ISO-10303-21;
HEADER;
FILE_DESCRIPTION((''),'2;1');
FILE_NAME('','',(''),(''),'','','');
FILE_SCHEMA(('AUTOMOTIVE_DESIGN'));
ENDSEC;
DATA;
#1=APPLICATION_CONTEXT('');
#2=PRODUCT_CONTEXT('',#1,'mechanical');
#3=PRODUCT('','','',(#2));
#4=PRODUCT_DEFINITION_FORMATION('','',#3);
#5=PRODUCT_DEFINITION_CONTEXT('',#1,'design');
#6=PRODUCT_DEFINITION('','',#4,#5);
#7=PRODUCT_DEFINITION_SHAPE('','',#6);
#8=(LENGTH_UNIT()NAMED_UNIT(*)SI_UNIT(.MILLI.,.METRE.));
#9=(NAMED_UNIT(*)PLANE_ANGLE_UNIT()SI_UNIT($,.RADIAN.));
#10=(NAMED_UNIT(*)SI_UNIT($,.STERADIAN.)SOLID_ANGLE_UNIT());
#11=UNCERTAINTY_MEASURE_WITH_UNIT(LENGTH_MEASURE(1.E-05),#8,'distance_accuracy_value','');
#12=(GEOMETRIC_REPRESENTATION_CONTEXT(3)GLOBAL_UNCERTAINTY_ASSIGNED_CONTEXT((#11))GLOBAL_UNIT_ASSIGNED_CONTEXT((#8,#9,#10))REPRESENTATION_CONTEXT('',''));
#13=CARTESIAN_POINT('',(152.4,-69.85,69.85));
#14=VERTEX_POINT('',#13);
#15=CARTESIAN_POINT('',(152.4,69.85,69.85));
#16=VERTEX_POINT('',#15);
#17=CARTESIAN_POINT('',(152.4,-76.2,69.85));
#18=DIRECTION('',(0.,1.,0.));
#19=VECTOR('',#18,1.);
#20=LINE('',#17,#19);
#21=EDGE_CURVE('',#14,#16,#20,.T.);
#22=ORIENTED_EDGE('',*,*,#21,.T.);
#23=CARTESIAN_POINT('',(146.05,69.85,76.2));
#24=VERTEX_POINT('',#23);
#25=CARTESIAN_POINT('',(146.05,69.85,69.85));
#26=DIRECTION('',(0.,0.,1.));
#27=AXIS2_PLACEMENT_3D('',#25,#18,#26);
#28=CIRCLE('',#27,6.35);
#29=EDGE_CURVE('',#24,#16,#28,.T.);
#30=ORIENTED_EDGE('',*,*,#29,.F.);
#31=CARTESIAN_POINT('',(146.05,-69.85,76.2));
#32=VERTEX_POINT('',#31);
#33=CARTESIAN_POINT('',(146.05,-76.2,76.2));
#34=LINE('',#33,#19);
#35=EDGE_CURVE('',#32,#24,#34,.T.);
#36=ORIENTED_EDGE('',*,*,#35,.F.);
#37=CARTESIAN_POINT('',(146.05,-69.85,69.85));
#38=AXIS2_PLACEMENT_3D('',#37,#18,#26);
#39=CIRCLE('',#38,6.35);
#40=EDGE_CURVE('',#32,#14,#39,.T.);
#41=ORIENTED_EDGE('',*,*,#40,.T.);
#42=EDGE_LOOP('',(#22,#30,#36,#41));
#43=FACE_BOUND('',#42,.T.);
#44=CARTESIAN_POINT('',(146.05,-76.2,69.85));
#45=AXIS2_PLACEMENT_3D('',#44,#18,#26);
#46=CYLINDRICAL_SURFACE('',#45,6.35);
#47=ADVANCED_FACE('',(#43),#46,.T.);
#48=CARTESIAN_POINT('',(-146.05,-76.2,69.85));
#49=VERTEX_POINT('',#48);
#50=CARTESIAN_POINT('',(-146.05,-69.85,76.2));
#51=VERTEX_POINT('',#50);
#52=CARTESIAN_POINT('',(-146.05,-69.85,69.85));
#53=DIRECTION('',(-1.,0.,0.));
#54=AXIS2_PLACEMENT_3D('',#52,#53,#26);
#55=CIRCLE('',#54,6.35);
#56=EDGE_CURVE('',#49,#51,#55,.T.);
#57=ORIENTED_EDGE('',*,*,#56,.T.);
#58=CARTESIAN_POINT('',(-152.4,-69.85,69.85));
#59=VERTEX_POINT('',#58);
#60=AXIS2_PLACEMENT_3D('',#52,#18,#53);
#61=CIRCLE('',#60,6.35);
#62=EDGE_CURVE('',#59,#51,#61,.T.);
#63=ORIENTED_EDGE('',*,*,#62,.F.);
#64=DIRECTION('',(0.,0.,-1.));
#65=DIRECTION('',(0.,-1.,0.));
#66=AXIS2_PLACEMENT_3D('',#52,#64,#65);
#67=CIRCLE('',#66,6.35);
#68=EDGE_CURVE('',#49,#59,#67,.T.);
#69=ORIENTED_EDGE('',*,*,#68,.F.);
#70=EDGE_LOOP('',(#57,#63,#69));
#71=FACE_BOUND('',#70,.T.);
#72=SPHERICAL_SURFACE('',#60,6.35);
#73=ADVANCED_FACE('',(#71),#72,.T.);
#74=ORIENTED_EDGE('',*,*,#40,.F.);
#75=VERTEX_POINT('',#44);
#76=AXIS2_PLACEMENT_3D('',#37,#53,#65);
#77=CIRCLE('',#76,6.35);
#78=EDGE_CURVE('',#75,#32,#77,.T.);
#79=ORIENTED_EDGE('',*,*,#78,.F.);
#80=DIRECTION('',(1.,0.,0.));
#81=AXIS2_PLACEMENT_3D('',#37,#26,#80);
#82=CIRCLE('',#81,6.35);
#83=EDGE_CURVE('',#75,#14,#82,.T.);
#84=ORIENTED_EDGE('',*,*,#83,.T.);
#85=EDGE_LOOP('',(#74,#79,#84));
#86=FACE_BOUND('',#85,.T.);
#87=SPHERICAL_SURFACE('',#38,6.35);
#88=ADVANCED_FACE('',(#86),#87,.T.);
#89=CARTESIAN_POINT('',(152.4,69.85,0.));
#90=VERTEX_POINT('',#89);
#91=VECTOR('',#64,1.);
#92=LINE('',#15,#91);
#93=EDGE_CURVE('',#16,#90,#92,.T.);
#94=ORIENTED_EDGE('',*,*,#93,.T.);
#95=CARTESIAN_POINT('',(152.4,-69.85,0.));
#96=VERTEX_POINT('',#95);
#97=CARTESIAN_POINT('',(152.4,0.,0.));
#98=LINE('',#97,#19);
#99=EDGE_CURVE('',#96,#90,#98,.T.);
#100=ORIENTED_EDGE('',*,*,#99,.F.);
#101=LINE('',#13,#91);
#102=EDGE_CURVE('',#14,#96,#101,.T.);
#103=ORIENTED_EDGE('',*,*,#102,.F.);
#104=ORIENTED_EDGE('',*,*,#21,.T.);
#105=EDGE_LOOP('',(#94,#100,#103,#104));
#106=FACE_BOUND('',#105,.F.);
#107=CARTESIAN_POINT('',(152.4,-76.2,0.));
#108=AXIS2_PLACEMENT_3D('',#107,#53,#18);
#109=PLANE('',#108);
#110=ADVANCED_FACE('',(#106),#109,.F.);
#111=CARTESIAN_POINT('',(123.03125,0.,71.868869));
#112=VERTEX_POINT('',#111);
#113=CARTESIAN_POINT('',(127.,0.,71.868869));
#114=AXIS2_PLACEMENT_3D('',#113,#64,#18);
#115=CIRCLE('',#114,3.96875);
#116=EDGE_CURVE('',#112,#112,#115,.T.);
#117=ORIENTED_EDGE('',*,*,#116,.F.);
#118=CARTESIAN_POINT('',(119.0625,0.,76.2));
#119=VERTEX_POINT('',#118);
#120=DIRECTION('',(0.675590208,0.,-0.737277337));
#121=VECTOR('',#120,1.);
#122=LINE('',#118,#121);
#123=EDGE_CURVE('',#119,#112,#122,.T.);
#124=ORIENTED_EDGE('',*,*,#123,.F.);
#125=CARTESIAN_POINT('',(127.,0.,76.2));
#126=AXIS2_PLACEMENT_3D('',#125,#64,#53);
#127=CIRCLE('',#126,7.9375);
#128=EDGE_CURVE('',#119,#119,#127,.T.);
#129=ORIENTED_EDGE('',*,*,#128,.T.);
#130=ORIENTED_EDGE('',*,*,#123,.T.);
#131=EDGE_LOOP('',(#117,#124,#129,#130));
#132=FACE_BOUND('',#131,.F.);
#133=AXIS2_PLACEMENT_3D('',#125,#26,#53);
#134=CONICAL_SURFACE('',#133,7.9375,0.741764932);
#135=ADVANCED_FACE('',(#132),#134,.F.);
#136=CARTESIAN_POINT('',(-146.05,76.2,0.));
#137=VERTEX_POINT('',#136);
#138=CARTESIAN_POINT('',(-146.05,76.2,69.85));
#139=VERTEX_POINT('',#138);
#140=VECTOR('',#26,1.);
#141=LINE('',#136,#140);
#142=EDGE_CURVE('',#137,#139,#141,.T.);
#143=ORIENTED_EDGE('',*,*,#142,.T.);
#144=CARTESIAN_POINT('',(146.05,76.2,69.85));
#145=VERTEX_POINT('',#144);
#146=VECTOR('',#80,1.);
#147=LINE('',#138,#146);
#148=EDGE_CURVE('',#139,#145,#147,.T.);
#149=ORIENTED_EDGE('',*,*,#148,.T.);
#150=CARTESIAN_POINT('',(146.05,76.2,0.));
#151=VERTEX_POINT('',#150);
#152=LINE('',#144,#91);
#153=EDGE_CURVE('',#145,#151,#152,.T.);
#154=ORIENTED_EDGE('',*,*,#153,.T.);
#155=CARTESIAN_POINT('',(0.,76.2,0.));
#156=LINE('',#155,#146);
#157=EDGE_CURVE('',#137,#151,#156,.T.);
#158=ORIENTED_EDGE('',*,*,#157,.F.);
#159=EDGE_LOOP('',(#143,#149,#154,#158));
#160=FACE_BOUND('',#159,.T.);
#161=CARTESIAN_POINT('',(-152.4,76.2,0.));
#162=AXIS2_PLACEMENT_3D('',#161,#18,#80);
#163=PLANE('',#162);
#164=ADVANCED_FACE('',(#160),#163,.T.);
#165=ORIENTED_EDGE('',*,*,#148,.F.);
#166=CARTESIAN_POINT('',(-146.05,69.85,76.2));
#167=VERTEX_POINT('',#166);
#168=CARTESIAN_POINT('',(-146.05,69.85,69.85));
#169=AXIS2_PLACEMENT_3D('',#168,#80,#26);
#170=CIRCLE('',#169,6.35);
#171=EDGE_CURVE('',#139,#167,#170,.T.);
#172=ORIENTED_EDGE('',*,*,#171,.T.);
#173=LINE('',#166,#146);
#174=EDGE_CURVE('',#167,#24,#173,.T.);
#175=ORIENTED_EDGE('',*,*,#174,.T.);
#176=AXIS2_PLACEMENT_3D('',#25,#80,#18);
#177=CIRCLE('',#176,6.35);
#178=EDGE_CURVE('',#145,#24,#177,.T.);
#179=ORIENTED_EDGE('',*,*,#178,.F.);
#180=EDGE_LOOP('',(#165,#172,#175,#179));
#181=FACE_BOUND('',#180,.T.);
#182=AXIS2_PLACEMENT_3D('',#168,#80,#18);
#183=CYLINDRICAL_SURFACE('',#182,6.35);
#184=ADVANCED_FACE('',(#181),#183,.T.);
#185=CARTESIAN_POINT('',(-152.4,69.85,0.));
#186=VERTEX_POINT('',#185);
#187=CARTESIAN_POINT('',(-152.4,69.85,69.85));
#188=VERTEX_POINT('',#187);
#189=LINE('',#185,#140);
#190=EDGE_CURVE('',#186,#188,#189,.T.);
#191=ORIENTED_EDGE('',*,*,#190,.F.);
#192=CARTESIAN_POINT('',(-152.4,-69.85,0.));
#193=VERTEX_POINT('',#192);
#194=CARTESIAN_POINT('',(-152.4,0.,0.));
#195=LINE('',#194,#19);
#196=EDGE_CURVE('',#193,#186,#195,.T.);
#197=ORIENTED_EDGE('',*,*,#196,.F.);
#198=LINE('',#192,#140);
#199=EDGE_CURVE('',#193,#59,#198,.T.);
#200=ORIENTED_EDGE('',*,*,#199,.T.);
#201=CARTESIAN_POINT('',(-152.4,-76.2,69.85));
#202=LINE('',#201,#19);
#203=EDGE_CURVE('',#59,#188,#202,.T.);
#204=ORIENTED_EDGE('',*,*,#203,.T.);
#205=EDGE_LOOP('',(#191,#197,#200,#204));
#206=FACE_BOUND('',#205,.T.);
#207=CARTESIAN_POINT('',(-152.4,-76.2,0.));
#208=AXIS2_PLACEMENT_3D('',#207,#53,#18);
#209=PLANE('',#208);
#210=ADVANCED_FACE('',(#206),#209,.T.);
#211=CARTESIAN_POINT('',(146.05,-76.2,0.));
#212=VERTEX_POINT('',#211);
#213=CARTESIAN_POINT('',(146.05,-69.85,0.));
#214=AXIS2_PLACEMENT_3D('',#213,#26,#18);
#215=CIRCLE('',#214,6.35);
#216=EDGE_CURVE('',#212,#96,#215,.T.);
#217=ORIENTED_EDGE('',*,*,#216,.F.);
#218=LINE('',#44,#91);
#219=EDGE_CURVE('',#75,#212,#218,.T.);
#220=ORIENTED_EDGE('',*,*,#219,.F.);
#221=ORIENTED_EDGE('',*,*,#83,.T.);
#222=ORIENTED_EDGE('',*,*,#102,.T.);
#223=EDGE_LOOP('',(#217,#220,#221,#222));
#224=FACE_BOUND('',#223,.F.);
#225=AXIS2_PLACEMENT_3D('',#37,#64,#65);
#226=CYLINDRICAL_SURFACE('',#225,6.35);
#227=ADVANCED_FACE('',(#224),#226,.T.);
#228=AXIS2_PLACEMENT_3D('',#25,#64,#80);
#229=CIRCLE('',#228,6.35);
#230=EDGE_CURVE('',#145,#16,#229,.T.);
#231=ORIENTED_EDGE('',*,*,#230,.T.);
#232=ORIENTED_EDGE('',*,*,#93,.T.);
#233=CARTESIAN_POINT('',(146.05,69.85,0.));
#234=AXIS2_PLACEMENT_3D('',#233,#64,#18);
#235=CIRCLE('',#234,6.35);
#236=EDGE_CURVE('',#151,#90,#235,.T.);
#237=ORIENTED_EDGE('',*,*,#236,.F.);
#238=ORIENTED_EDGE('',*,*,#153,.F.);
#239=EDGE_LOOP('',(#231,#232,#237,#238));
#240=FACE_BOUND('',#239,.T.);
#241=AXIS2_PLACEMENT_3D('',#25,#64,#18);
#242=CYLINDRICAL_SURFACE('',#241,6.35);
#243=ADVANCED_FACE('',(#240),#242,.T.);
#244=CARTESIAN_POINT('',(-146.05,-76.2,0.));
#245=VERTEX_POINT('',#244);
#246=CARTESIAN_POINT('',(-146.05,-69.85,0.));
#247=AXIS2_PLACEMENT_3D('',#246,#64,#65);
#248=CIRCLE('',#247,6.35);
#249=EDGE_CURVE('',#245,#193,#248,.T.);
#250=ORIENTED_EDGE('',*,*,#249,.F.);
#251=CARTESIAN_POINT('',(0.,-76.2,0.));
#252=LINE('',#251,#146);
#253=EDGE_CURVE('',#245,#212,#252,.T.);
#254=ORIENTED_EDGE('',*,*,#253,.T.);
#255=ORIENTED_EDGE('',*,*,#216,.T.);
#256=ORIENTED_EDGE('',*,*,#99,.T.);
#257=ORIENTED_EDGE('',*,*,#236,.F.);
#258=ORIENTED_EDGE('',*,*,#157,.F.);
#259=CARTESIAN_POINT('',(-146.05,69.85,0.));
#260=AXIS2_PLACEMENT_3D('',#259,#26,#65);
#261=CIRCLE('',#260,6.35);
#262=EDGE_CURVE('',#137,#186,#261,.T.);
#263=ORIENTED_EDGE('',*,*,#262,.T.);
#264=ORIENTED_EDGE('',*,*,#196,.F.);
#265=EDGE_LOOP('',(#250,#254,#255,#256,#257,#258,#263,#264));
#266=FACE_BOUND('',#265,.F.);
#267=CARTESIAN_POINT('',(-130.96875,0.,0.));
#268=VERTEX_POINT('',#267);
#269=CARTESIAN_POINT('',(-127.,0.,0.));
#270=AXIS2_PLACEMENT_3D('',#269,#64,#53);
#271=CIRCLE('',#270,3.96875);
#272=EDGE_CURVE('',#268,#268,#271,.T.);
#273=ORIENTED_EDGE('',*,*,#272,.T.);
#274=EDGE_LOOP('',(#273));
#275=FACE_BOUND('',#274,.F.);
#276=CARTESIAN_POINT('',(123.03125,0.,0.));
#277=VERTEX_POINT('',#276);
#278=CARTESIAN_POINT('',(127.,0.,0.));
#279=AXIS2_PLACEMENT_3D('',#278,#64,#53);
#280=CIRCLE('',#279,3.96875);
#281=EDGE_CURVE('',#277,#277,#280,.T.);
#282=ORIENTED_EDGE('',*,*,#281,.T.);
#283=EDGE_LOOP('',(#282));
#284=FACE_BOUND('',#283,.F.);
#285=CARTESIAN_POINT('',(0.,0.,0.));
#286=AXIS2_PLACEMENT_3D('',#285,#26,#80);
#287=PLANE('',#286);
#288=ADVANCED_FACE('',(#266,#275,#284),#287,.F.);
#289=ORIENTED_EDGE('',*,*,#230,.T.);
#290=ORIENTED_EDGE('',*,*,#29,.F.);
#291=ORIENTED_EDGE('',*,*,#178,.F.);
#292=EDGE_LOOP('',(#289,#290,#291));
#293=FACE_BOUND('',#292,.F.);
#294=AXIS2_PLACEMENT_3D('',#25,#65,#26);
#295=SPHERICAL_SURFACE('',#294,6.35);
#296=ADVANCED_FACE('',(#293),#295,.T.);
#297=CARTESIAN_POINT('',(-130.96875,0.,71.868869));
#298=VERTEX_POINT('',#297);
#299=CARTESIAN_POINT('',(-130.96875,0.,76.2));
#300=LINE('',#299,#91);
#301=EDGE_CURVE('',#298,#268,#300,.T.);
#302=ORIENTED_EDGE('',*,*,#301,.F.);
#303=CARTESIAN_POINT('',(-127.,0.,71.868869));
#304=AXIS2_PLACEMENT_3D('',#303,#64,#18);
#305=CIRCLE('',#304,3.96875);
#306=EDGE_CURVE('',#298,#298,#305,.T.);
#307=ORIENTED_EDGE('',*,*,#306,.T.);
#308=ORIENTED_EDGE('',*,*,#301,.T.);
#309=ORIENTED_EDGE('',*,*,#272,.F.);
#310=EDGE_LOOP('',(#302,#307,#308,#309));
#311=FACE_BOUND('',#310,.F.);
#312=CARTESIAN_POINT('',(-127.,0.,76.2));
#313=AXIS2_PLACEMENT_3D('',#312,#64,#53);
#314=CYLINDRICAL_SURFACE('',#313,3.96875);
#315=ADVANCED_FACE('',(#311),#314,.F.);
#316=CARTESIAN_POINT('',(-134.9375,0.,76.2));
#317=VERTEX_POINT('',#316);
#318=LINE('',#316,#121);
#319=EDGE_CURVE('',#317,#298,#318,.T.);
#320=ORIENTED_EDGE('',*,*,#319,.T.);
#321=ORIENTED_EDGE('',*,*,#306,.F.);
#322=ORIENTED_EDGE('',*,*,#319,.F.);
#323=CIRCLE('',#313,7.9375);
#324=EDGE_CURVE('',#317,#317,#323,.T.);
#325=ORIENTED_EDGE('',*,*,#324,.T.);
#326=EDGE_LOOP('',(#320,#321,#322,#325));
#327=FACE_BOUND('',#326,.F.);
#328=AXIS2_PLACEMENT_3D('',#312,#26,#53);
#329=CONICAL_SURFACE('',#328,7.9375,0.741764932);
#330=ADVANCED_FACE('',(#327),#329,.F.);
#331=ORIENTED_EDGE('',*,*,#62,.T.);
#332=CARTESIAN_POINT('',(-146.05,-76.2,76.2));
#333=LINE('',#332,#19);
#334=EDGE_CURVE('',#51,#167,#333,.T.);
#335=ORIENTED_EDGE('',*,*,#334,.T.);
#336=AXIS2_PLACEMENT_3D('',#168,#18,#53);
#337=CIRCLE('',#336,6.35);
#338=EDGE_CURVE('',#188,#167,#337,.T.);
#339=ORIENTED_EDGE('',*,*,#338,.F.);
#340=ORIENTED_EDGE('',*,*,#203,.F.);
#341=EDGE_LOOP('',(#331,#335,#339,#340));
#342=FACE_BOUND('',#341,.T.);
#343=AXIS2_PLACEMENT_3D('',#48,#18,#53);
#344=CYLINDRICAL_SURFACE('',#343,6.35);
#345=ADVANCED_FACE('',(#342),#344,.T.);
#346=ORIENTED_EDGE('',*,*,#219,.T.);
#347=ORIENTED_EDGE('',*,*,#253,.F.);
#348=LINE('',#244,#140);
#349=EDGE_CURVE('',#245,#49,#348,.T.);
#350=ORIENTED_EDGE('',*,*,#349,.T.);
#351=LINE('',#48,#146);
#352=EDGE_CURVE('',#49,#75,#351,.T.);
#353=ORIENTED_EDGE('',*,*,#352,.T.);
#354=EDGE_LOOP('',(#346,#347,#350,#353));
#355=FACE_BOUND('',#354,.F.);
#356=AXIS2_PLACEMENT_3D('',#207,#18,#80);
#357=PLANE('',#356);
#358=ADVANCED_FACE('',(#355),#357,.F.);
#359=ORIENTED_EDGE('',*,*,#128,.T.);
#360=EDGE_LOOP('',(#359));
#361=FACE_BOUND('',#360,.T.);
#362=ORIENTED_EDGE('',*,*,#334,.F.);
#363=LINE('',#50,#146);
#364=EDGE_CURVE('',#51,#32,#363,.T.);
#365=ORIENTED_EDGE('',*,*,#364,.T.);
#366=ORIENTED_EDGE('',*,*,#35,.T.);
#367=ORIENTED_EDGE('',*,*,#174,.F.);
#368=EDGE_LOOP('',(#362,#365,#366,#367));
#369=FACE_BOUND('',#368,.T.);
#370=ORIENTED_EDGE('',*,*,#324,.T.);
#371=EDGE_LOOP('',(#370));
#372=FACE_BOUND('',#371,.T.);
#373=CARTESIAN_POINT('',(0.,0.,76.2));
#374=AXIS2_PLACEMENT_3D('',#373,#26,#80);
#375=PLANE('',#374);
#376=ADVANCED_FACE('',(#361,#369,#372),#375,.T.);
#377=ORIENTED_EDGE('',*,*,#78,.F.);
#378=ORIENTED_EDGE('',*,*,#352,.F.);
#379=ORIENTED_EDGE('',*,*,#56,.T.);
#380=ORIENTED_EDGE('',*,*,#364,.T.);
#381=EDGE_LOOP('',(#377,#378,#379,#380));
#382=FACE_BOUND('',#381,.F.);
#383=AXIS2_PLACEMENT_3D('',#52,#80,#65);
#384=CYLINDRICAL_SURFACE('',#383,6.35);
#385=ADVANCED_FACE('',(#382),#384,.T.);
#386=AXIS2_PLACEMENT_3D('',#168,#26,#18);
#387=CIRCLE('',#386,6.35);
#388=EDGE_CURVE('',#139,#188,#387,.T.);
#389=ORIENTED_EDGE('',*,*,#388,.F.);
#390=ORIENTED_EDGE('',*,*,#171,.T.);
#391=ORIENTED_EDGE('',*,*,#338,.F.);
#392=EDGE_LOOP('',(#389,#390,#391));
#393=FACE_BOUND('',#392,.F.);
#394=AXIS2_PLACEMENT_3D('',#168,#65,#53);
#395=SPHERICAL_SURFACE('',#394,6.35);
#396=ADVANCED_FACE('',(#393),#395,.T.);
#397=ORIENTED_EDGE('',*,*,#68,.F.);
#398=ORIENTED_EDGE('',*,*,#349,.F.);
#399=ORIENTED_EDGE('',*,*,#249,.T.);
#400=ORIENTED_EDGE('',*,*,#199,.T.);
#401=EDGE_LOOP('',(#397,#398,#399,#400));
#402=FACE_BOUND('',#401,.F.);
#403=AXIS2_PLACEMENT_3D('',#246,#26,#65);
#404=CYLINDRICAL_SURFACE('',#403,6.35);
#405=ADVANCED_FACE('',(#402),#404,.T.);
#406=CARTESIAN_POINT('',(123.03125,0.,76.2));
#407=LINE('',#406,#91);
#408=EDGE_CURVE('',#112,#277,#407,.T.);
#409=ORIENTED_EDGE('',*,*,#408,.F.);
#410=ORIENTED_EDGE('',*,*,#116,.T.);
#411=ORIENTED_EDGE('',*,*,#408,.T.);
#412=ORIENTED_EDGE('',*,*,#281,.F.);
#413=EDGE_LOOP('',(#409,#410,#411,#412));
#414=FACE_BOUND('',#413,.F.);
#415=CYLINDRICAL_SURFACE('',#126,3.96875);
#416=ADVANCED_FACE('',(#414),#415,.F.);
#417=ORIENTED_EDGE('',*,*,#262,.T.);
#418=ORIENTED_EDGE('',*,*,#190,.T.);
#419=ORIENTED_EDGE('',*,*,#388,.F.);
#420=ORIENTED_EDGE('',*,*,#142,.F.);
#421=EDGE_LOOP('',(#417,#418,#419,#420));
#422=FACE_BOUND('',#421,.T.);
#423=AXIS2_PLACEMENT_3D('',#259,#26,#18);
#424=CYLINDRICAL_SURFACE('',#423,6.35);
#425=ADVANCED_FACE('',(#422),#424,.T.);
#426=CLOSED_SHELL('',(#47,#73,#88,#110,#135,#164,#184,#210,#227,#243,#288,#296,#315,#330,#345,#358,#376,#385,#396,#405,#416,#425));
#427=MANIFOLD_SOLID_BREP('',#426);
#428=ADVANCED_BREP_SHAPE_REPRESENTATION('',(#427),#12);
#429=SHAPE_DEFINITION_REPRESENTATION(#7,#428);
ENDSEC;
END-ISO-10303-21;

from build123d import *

# Parameters (mm, degrees)
F0_W           = 304.8
F0_H           = 152.4
F1_DEPTH       = 76.2
F3_D           = 7.9375
F3_CSINK_D     = 15.875
F3_CSINK_ANGLE = 85
F4_R           = 6.35
F5_R           = 6.35


with BuildPart() as f1:
    # F0 (on Top) → F1 (new body)
    with BuildSketch(Plane.XY):
        Rectangle(F0_W, F0_H)
    extrude(amount=F1_DEPTH)

    # F3 (through all)
    with Locations(Plane.XY.offset(76.2)):
        with Locations((-127, 0), (127, 0)):
            CounterSinkHole(F3_D / 2, F3_CSINK_D / 2, counter_sink_angle=F3_CSINK_ANGLE)

    # F4
    f4_edges = [f1.edges().sort_by_distance(p)[0] for p in [
        (-152.4, 0, 76.2),
        (152.4, 0, 76.2),
    ]]
    fillet(f4_edges, radius=F4_R)

    # F5
    f5_edges = [f1.edges().sort_by_distance(p)[0] for p in [
        (0, -76.2, 76.2),
        (0, 76.2, 76.2),
    ]]
    fillet(f5_edges, radius=F5_R)


solid = f1.part
